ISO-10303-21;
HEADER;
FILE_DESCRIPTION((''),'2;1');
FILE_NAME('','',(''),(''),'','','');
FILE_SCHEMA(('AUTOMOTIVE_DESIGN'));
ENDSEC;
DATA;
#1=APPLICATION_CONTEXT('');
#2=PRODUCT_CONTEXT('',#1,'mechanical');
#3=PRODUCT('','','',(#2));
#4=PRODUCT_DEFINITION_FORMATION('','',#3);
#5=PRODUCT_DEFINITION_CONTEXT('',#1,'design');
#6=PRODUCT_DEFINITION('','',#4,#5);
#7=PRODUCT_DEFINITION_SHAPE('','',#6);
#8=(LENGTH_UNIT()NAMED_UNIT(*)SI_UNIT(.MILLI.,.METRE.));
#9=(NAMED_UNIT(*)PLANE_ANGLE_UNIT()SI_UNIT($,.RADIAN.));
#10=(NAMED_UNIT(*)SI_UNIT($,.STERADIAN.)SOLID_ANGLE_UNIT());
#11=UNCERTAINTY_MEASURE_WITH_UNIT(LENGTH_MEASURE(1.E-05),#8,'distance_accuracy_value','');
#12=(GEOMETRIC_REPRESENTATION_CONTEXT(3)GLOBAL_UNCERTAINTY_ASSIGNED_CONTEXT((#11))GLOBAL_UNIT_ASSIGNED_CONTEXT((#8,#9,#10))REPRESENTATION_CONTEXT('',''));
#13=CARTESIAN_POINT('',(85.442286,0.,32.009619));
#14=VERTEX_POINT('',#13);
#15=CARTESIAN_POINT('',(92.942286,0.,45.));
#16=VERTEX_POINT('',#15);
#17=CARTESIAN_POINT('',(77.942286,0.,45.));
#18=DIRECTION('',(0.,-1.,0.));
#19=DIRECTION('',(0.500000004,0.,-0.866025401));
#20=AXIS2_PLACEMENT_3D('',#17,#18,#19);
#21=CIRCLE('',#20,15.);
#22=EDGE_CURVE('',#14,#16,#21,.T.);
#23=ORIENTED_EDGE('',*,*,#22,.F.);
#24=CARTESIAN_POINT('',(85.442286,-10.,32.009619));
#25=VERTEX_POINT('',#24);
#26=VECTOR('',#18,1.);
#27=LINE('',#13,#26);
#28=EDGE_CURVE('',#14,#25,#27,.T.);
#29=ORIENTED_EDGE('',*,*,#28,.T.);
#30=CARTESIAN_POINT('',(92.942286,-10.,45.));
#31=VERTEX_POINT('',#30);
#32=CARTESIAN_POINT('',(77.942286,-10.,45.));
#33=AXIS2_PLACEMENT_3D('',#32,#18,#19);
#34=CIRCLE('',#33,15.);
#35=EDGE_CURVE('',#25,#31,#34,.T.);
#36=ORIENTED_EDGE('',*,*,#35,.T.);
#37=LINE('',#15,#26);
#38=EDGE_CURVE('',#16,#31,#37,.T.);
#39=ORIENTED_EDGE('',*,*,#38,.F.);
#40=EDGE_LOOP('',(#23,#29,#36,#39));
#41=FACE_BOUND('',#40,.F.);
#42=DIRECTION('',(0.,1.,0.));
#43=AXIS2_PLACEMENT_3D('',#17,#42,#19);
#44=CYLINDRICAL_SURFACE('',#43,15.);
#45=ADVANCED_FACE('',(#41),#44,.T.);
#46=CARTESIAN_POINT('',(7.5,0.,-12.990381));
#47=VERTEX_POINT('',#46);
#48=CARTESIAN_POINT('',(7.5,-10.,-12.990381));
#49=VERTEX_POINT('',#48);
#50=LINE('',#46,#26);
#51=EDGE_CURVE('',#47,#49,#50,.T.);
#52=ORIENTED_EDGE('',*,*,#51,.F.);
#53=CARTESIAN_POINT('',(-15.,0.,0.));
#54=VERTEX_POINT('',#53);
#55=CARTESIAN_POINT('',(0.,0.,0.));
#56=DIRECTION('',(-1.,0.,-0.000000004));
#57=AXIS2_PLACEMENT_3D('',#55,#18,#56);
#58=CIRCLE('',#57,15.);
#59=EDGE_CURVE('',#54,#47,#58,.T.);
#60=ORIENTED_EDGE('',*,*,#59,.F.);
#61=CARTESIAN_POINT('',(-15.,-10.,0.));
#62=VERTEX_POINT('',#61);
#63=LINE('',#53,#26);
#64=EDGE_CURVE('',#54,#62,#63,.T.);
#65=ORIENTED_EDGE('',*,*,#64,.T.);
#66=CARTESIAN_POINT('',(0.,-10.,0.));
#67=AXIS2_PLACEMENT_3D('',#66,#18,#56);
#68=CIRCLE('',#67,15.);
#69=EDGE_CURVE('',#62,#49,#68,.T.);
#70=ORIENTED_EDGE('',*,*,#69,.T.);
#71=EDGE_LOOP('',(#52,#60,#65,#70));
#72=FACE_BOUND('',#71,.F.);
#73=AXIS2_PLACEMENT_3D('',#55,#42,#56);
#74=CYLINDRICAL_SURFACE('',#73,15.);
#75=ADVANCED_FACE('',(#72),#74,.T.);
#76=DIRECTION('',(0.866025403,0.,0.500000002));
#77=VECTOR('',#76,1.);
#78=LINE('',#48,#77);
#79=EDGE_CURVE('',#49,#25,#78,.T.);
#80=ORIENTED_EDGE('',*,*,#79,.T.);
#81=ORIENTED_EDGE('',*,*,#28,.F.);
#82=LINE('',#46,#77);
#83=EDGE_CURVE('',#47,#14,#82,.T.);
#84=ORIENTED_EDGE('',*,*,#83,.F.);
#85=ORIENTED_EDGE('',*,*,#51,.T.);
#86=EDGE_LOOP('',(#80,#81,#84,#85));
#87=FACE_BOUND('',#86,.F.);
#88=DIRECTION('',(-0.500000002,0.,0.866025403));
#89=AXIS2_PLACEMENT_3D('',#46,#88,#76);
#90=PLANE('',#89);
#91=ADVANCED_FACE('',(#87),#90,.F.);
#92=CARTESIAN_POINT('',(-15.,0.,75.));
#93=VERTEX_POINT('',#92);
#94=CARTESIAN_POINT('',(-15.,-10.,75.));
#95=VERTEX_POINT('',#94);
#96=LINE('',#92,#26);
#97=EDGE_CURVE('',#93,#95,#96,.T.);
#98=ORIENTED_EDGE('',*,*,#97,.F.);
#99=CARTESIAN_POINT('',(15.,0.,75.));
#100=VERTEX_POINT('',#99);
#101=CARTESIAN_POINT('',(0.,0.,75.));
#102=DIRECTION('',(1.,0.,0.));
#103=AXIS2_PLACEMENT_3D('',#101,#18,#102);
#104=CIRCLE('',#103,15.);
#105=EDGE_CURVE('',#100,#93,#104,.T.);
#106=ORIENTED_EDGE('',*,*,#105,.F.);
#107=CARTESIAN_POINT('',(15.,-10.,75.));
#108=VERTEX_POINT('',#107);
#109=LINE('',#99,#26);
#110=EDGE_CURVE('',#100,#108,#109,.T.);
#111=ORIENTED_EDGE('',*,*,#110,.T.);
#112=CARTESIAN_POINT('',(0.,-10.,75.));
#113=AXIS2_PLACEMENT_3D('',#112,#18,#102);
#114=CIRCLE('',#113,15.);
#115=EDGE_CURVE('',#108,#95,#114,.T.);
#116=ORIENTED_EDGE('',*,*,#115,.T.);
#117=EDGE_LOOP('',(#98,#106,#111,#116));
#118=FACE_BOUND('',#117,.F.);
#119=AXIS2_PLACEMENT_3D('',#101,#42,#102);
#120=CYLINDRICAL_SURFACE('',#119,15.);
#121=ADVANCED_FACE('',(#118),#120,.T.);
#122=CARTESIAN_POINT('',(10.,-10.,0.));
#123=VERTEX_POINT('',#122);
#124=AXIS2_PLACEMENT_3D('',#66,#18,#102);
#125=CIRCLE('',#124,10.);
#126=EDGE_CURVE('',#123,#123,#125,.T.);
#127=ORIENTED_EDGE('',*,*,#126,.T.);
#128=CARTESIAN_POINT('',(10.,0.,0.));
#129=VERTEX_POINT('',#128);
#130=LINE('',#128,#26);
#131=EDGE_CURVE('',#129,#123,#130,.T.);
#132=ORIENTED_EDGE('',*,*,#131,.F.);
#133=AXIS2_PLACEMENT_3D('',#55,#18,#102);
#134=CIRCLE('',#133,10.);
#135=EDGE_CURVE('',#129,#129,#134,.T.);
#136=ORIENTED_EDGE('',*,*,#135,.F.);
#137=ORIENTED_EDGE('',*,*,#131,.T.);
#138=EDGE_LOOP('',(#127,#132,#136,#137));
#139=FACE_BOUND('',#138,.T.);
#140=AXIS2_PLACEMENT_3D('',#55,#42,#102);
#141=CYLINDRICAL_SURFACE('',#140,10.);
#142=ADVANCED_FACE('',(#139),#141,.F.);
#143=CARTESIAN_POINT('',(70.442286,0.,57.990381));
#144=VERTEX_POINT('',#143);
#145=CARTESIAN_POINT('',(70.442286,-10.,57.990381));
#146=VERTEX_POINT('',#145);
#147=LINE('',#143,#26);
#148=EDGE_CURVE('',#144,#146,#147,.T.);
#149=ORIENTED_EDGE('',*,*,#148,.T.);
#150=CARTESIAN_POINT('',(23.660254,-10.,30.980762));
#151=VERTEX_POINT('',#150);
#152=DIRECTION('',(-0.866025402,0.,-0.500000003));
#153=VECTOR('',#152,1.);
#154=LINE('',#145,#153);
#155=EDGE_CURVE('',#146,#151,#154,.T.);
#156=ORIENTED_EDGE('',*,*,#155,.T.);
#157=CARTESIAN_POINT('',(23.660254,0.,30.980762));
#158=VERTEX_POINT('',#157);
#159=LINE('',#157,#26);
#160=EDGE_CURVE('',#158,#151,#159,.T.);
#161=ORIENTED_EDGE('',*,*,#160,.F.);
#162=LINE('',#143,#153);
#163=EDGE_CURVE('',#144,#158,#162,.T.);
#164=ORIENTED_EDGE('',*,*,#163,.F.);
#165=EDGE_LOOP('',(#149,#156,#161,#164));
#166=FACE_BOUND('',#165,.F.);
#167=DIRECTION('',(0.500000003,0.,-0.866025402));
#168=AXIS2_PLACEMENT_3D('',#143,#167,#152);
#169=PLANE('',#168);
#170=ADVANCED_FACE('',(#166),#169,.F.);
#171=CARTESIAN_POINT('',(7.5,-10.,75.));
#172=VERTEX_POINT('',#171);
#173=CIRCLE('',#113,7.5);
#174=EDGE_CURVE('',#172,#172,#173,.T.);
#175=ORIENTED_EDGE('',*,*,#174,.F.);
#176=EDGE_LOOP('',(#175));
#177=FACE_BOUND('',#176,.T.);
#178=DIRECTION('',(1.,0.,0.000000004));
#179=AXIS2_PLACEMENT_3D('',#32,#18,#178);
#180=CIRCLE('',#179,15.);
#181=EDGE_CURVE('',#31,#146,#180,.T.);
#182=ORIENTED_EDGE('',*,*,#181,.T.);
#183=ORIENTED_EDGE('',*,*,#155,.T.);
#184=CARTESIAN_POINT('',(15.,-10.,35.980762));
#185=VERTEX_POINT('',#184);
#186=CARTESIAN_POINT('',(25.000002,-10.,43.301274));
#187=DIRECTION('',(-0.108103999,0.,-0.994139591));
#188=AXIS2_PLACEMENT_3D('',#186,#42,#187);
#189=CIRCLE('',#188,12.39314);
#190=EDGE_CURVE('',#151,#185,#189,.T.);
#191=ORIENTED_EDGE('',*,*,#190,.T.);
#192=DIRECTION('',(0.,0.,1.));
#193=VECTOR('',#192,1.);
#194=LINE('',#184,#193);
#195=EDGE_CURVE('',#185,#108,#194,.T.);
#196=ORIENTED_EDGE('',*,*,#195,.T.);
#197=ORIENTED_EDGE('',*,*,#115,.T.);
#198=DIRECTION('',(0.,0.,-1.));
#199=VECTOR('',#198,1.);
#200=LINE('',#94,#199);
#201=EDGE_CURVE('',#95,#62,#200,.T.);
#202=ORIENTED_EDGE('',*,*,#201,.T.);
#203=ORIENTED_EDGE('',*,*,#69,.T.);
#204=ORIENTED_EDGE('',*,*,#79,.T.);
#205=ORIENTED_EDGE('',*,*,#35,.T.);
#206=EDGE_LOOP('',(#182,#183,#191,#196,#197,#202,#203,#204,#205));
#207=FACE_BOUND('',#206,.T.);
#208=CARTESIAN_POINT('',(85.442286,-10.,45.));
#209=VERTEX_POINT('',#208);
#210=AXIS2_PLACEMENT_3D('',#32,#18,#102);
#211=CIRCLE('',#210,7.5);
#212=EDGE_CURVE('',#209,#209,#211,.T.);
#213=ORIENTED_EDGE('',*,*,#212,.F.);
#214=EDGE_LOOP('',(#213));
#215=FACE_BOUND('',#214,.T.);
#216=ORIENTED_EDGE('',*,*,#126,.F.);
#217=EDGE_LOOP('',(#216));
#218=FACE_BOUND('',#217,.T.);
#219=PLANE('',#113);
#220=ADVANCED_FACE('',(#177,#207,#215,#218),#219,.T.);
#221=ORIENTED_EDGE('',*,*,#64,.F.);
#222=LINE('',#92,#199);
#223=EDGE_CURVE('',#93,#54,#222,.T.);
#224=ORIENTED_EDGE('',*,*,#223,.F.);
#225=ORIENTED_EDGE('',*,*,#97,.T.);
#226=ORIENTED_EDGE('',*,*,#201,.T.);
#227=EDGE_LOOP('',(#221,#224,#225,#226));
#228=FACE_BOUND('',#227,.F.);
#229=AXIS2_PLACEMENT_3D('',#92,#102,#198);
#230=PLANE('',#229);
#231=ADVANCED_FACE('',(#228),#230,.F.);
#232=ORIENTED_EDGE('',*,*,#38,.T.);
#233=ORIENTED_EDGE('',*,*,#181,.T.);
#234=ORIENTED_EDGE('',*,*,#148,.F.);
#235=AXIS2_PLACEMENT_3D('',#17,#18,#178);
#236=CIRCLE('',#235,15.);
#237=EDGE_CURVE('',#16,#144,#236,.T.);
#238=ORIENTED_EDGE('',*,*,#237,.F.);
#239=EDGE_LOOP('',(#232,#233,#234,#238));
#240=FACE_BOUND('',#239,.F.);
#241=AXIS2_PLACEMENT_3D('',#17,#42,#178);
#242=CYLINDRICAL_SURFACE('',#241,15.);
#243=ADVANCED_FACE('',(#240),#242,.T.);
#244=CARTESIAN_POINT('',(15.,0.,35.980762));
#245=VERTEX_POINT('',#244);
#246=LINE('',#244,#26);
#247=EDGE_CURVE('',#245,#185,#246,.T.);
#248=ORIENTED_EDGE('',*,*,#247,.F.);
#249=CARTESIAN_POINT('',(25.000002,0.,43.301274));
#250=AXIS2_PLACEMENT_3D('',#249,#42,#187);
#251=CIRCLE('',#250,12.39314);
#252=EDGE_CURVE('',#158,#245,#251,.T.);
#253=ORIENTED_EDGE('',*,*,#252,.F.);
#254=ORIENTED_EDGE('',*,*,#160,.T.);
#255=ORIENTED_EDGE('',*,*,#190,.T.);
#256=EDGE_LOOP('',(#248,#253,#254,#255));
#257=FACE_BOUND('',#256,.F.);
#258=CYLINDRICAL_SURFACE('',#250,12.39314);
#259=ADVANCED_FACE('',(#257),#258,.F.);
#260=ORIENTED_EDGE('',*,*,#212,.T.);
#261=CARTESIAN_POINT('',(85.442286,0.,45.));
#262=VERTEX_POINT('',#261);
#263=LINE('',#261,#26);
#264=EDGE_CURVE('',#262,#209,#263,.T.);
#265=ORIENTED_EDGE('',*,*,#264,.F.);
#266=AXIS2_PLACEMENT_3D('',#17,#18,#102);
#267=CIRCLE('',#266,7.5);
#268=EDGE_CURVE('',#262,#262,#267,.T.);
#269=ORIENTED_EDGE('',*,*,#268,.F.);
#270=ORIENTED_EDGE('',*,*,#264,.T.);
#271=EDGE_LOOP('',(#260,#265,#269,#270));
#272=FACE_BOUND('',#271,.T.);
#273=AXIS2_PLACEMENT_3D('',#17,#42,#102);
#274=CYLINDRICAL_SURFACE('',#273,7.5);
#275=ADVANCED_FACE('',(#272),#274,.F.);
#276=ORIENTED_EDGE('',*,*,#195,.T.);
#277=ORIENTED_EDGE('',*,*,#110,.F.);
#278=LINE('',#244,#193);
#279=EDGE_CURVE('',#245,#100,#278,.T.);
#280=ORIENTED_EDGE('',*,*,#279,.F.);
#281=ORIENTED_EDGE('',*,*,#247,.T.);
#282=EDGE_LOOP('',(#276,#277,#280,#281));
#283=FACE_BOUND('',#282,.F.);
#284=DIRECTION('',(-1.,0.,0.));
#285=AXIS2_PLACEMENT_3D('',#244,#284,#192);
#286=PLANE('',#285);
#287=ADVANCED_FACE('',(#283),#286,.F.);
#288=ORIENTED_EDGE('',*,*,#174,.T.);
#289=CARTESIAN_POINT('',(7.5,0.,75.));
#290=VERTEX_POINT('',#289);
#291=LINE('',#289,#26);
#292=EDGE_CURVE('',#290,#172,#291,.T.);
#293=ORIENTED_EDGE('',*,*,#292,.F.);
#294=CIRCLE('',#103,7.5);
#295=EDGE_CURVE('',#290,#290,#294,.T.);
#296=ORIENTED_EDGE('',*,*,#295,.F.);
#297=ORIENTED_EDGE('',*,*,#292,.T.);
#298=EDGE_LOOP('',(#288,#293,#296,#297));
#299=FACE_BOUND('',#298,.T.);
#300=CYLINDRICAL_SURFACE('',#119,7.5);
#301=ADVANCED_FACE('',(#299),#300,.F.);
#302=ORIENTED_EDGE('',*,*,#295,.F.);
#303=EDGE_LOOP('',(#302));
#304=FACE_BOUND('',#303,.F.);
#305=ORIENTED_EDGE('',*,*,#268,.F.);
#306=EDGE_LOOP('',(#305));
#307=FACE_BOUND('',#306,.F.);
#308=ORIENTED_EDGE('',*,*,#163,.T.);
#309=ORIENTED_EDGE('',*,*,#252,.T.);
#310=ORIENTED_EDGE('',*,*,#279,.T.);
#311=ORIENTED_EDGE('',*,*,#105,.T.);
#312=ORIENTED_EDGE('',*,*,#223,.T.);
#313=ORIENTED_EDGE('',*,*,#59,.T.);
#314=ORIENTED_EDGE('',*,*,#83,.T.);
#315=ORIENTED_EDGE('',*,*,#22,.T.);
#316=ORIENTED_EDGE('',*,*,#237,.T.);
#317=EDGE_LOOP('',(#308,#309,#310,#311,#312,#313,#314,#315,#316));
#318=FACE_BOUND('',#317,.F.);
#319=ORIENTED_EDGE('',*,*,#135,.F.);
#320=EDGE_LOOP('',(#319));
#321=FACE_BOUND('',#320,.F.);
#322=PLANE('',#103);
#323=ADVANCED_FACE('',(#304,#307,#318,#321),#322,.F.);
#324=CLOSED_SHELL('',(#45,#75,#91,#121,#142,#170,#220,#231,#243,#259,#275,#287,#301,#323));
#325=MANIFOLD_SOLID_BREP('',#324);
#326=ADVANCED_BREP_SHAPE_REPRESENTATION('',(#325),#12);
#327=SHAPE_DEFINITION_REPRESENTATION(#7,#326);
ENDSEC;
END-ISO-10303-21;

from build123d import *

# Parameters (mm, degrees)
F0_R     = 7.5
F0_R_2   = 10
F1_DEPTH = 10


with BuildPart() as f1:
    # F0 (on Front) → F1 (new body)
    with BuildSketch(Plane.XZ):
        with BuildLine():
            ThreePointArc((-15, 75), (0, 60), (15, 75))
            ThreePointArc((15, 75), (0, 90), (-15, 75))
        make_face()
        with Locations((0, 75)):
            Circle(F0_R, mode=Mode.SUBTRACT)
        with BuildLine():
            Line((15, 35.980762), (15, 75))
            ThreePointArc((15, 75), (0, 60), (-15, 75))
            Line((-15, 75), (-15, 0))
            ThreePointArc((-15, 0), (0, 15), (15, 0))
            ThreePointArc((15, 0), (12.990381, -7.5), (7.5, -12.990381))
            Line((7.5, -12.990381), (85.442286, 32.009619))
            ThreePointArc((85.442286, 32.009619), (64.951905, 37.5), (70.442286, 57.990381))
            Line((70.442286, 57.990381), (23.660254, 30.980762))
            ThreePointArc((23.660254, 30.980762), (18.803432, 32.568499), (15, 35.980762))
        make_face()
        with BuildLine():
            ThreePointArc((15, 0), (0, 15), (-15, 0))
            ThreePointArc((-15, 0), (-7.5, -12.990381), (7.5, -12.990381))
            ThreePointArc((7.5, -12.990381), (12.990381, -7.5), (15, 0))
        make_face()
        Circle(F0_R_2, mode=Mode.SUBTRACT)
        with BuildLine():
            ThreePointArc((92.942286, 45), (85.442286, 57.990381), (70.442286, 57.990381))
            ThreePointArc((70.442286, 57.990381), (64.951905, 37.5), (85.442286, 32.009619))
            ThreePointArc((85.442286, 32.009619), (90.932667, 37.5), (92.942286, 45))
        make_face()
        with Locations((77.942286, 45)):
            Circle(F0_R, mode=Mode.SUBTRACT)
    extrude(amount=F1_DEPTH)


solid = f1.part
